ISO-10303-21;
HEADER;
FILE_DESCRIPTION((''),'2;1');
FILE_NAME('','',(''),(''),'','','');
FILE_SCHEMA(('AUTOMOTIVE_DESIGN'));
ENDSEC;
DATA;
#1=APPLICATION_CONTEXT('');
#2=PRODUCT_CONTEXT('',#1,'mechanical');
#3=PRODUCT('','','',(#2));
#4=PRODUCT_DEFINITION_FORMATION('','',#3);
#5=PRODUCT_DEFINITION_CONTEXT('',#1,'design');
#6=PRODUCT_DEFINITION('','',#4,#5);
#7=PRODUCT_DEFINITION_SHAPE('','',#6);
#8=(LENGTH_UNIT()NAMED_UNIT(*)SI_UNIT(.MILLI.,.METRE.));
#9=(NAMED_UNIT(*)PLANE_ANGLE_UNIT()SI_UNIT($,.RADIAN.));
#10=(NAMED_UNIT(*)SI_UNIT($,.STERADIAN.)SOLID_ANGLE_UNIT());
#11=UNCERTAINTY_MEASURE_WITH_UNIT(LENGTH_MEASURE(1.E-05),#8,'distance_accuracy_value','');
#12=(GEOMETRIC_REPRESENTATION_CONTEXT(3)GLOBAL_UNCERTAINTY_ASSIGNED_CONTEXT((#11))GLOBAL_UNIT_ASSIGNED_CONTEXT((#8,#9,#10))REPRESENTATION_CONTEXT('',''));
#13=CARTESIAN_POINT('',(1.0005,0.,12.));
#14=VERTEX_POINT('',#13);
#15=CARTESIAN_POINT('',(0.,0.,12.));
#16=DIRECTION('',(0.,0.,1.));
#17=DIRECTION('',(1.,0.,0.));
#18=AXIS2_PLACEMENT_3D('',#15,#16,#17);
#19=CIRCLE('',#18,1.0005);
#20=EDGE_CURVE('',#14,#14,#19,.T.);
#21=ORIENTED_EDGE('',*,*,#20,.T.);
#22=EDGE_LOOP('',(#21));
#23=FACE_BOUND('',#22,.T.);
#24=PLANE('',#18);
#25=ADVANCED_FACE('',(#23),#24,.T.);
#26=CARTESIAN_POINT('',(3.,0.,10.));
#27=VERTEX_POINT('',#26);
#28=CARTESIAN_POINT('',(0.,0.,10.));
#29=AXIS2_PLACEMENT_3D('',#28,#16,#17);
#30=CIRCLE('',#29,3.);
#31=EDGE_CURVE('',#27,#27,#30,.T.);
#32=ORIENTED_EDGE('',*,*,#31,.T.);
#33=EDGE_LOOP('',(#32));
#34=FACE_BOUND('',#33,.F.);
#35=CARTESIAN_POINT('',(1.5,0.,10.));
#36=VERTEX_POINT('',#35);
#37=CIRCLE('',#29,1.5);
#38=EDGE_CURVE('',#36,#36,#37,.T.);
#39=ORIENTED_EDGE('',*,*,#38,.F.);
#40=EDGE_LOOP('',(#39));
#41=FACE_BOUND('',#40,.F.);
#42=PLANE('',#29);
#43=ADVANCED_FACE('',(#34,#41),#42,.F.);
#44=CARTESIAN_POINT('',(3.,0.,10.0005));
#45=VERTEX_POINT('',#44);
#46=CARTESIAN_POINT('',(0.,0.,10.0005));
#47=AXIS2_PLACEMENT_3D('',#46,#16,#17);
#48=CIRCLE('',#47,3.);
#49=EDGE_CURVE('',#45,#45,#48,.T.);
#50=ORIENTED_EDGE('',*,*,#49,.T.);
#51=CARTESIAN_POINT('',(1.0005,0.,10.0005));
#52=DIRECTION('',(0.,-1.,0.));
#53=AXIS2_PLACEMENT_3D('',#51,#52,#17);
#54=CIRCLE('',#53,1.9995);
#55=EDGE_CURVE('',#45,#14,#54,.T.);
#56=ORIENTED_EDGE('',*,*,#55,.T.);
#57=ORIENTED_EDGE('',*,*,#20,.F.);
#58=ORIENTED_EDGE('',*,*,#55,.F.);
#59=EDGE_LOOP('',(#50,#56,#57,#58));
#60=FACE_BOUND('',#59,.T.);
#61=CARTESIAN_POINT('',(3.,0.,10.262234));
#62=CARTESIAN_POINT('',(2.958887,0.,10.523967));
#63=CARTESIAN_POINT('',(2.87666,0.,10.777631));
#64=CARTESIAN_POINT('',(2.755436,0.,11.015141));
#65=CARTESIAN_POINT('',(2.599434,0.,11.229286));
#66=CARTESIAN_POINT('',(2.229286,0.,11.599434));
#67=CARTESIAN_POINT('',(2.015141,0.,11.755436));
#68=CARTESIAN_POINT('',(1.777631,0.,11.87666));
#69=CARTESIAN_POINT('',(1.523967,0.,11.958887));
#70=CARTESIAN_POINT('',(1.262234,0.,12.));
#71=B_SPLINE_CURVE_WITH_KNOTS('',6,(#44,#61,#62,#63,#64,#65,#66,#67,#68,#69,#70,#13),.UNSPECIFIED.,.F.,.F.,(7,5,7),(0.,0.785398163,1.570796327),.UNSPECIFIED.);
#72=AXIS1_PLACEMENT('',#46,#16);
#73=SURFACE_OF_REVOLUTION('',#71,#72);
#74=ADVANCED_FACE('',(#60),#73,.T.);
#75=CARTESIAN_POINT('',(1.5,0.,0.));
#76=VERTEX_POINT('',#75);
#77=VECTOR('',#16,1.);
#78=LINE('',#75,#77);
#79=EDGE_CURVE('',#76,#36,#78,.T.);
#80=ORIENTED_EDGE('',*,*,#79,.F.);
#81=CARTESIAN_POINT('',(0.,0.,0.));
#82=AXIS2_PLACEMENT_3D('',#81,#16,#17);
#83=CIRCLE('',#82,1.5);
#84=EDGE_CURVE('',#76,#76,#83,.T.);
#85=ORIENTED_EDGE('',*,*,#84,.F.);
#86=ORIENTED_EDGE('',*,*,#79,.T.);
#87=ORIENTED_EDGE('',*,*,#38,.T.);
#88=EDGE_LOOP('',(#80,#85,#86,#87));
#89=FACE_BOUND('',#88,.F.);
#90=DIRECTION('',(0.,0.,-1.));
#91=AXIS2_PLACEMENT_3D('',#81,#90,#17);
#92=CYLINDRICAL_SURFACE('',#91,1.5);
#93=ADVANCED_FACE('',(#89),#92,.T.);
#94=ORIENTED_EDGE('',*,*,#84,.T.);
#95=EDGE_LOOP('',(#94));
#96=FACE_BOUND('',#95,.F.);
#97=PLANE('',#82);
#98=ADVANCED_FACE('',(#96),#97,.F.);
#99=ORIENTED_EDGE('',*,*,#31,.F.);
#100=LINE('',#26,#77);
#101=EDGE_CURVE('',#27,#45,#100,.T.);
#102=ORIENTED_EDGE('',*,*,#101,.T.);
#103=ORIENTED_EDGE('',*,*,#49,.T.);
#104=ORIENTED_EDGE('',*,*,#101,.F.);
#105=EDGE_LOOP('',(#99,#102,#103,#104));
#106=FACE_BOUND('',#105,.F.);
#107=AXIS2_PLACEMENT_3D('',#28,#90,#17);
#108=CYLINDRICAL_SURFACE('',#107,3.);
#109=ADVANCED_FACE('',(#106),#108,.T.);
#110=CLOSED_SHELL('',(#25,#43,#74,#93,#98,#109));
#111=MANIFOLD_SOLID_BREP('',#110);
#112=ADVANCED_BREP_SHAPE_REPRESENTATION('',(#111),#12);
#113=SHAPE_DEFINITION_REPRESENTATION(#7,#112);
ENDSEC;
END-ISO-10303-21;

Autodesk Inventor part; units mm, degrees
ref_plane "YZ Plane" through (0, 0, 0) normal (1, 0, 0) x (0, 1, 0)
ref_plane "XZ Plane" through (0, 0, 0) normal (0, 1, 0) x (-1, 0, 0)
ref_plane "XY Plane" through (0, 0, 0) normal (0, 0, 1) x (1, 0, 0)
sketch "スケッチ1" plane through (0, 0, 0) normal (0, 0, 1) x (1, 0, 0)
  circle A0 centre (0, 0) radius 1.5
  dimension "d0" = 3
extrude "押し出し1" add sketch "スケッチ1" along normal blind 10
sketch "スケッチ2" plane through (0, 0, 10) normal (0, 0, 1) x (1, 0, 0)
  circle A0 centre (0, 0) radius 1.5 projected
  circle A1 centre (0, 0) radius 3
  dimension "d3" = 6
extrude "押し出し2" add sketch "スケッチ2" along normal blind 2 contours A0 | A1
fillet "フィレット1" radius 2 1 edges at (-3, 0, 12)
properties part number "M3ボタンボルト10" material "鋼、高強度、低合金"
